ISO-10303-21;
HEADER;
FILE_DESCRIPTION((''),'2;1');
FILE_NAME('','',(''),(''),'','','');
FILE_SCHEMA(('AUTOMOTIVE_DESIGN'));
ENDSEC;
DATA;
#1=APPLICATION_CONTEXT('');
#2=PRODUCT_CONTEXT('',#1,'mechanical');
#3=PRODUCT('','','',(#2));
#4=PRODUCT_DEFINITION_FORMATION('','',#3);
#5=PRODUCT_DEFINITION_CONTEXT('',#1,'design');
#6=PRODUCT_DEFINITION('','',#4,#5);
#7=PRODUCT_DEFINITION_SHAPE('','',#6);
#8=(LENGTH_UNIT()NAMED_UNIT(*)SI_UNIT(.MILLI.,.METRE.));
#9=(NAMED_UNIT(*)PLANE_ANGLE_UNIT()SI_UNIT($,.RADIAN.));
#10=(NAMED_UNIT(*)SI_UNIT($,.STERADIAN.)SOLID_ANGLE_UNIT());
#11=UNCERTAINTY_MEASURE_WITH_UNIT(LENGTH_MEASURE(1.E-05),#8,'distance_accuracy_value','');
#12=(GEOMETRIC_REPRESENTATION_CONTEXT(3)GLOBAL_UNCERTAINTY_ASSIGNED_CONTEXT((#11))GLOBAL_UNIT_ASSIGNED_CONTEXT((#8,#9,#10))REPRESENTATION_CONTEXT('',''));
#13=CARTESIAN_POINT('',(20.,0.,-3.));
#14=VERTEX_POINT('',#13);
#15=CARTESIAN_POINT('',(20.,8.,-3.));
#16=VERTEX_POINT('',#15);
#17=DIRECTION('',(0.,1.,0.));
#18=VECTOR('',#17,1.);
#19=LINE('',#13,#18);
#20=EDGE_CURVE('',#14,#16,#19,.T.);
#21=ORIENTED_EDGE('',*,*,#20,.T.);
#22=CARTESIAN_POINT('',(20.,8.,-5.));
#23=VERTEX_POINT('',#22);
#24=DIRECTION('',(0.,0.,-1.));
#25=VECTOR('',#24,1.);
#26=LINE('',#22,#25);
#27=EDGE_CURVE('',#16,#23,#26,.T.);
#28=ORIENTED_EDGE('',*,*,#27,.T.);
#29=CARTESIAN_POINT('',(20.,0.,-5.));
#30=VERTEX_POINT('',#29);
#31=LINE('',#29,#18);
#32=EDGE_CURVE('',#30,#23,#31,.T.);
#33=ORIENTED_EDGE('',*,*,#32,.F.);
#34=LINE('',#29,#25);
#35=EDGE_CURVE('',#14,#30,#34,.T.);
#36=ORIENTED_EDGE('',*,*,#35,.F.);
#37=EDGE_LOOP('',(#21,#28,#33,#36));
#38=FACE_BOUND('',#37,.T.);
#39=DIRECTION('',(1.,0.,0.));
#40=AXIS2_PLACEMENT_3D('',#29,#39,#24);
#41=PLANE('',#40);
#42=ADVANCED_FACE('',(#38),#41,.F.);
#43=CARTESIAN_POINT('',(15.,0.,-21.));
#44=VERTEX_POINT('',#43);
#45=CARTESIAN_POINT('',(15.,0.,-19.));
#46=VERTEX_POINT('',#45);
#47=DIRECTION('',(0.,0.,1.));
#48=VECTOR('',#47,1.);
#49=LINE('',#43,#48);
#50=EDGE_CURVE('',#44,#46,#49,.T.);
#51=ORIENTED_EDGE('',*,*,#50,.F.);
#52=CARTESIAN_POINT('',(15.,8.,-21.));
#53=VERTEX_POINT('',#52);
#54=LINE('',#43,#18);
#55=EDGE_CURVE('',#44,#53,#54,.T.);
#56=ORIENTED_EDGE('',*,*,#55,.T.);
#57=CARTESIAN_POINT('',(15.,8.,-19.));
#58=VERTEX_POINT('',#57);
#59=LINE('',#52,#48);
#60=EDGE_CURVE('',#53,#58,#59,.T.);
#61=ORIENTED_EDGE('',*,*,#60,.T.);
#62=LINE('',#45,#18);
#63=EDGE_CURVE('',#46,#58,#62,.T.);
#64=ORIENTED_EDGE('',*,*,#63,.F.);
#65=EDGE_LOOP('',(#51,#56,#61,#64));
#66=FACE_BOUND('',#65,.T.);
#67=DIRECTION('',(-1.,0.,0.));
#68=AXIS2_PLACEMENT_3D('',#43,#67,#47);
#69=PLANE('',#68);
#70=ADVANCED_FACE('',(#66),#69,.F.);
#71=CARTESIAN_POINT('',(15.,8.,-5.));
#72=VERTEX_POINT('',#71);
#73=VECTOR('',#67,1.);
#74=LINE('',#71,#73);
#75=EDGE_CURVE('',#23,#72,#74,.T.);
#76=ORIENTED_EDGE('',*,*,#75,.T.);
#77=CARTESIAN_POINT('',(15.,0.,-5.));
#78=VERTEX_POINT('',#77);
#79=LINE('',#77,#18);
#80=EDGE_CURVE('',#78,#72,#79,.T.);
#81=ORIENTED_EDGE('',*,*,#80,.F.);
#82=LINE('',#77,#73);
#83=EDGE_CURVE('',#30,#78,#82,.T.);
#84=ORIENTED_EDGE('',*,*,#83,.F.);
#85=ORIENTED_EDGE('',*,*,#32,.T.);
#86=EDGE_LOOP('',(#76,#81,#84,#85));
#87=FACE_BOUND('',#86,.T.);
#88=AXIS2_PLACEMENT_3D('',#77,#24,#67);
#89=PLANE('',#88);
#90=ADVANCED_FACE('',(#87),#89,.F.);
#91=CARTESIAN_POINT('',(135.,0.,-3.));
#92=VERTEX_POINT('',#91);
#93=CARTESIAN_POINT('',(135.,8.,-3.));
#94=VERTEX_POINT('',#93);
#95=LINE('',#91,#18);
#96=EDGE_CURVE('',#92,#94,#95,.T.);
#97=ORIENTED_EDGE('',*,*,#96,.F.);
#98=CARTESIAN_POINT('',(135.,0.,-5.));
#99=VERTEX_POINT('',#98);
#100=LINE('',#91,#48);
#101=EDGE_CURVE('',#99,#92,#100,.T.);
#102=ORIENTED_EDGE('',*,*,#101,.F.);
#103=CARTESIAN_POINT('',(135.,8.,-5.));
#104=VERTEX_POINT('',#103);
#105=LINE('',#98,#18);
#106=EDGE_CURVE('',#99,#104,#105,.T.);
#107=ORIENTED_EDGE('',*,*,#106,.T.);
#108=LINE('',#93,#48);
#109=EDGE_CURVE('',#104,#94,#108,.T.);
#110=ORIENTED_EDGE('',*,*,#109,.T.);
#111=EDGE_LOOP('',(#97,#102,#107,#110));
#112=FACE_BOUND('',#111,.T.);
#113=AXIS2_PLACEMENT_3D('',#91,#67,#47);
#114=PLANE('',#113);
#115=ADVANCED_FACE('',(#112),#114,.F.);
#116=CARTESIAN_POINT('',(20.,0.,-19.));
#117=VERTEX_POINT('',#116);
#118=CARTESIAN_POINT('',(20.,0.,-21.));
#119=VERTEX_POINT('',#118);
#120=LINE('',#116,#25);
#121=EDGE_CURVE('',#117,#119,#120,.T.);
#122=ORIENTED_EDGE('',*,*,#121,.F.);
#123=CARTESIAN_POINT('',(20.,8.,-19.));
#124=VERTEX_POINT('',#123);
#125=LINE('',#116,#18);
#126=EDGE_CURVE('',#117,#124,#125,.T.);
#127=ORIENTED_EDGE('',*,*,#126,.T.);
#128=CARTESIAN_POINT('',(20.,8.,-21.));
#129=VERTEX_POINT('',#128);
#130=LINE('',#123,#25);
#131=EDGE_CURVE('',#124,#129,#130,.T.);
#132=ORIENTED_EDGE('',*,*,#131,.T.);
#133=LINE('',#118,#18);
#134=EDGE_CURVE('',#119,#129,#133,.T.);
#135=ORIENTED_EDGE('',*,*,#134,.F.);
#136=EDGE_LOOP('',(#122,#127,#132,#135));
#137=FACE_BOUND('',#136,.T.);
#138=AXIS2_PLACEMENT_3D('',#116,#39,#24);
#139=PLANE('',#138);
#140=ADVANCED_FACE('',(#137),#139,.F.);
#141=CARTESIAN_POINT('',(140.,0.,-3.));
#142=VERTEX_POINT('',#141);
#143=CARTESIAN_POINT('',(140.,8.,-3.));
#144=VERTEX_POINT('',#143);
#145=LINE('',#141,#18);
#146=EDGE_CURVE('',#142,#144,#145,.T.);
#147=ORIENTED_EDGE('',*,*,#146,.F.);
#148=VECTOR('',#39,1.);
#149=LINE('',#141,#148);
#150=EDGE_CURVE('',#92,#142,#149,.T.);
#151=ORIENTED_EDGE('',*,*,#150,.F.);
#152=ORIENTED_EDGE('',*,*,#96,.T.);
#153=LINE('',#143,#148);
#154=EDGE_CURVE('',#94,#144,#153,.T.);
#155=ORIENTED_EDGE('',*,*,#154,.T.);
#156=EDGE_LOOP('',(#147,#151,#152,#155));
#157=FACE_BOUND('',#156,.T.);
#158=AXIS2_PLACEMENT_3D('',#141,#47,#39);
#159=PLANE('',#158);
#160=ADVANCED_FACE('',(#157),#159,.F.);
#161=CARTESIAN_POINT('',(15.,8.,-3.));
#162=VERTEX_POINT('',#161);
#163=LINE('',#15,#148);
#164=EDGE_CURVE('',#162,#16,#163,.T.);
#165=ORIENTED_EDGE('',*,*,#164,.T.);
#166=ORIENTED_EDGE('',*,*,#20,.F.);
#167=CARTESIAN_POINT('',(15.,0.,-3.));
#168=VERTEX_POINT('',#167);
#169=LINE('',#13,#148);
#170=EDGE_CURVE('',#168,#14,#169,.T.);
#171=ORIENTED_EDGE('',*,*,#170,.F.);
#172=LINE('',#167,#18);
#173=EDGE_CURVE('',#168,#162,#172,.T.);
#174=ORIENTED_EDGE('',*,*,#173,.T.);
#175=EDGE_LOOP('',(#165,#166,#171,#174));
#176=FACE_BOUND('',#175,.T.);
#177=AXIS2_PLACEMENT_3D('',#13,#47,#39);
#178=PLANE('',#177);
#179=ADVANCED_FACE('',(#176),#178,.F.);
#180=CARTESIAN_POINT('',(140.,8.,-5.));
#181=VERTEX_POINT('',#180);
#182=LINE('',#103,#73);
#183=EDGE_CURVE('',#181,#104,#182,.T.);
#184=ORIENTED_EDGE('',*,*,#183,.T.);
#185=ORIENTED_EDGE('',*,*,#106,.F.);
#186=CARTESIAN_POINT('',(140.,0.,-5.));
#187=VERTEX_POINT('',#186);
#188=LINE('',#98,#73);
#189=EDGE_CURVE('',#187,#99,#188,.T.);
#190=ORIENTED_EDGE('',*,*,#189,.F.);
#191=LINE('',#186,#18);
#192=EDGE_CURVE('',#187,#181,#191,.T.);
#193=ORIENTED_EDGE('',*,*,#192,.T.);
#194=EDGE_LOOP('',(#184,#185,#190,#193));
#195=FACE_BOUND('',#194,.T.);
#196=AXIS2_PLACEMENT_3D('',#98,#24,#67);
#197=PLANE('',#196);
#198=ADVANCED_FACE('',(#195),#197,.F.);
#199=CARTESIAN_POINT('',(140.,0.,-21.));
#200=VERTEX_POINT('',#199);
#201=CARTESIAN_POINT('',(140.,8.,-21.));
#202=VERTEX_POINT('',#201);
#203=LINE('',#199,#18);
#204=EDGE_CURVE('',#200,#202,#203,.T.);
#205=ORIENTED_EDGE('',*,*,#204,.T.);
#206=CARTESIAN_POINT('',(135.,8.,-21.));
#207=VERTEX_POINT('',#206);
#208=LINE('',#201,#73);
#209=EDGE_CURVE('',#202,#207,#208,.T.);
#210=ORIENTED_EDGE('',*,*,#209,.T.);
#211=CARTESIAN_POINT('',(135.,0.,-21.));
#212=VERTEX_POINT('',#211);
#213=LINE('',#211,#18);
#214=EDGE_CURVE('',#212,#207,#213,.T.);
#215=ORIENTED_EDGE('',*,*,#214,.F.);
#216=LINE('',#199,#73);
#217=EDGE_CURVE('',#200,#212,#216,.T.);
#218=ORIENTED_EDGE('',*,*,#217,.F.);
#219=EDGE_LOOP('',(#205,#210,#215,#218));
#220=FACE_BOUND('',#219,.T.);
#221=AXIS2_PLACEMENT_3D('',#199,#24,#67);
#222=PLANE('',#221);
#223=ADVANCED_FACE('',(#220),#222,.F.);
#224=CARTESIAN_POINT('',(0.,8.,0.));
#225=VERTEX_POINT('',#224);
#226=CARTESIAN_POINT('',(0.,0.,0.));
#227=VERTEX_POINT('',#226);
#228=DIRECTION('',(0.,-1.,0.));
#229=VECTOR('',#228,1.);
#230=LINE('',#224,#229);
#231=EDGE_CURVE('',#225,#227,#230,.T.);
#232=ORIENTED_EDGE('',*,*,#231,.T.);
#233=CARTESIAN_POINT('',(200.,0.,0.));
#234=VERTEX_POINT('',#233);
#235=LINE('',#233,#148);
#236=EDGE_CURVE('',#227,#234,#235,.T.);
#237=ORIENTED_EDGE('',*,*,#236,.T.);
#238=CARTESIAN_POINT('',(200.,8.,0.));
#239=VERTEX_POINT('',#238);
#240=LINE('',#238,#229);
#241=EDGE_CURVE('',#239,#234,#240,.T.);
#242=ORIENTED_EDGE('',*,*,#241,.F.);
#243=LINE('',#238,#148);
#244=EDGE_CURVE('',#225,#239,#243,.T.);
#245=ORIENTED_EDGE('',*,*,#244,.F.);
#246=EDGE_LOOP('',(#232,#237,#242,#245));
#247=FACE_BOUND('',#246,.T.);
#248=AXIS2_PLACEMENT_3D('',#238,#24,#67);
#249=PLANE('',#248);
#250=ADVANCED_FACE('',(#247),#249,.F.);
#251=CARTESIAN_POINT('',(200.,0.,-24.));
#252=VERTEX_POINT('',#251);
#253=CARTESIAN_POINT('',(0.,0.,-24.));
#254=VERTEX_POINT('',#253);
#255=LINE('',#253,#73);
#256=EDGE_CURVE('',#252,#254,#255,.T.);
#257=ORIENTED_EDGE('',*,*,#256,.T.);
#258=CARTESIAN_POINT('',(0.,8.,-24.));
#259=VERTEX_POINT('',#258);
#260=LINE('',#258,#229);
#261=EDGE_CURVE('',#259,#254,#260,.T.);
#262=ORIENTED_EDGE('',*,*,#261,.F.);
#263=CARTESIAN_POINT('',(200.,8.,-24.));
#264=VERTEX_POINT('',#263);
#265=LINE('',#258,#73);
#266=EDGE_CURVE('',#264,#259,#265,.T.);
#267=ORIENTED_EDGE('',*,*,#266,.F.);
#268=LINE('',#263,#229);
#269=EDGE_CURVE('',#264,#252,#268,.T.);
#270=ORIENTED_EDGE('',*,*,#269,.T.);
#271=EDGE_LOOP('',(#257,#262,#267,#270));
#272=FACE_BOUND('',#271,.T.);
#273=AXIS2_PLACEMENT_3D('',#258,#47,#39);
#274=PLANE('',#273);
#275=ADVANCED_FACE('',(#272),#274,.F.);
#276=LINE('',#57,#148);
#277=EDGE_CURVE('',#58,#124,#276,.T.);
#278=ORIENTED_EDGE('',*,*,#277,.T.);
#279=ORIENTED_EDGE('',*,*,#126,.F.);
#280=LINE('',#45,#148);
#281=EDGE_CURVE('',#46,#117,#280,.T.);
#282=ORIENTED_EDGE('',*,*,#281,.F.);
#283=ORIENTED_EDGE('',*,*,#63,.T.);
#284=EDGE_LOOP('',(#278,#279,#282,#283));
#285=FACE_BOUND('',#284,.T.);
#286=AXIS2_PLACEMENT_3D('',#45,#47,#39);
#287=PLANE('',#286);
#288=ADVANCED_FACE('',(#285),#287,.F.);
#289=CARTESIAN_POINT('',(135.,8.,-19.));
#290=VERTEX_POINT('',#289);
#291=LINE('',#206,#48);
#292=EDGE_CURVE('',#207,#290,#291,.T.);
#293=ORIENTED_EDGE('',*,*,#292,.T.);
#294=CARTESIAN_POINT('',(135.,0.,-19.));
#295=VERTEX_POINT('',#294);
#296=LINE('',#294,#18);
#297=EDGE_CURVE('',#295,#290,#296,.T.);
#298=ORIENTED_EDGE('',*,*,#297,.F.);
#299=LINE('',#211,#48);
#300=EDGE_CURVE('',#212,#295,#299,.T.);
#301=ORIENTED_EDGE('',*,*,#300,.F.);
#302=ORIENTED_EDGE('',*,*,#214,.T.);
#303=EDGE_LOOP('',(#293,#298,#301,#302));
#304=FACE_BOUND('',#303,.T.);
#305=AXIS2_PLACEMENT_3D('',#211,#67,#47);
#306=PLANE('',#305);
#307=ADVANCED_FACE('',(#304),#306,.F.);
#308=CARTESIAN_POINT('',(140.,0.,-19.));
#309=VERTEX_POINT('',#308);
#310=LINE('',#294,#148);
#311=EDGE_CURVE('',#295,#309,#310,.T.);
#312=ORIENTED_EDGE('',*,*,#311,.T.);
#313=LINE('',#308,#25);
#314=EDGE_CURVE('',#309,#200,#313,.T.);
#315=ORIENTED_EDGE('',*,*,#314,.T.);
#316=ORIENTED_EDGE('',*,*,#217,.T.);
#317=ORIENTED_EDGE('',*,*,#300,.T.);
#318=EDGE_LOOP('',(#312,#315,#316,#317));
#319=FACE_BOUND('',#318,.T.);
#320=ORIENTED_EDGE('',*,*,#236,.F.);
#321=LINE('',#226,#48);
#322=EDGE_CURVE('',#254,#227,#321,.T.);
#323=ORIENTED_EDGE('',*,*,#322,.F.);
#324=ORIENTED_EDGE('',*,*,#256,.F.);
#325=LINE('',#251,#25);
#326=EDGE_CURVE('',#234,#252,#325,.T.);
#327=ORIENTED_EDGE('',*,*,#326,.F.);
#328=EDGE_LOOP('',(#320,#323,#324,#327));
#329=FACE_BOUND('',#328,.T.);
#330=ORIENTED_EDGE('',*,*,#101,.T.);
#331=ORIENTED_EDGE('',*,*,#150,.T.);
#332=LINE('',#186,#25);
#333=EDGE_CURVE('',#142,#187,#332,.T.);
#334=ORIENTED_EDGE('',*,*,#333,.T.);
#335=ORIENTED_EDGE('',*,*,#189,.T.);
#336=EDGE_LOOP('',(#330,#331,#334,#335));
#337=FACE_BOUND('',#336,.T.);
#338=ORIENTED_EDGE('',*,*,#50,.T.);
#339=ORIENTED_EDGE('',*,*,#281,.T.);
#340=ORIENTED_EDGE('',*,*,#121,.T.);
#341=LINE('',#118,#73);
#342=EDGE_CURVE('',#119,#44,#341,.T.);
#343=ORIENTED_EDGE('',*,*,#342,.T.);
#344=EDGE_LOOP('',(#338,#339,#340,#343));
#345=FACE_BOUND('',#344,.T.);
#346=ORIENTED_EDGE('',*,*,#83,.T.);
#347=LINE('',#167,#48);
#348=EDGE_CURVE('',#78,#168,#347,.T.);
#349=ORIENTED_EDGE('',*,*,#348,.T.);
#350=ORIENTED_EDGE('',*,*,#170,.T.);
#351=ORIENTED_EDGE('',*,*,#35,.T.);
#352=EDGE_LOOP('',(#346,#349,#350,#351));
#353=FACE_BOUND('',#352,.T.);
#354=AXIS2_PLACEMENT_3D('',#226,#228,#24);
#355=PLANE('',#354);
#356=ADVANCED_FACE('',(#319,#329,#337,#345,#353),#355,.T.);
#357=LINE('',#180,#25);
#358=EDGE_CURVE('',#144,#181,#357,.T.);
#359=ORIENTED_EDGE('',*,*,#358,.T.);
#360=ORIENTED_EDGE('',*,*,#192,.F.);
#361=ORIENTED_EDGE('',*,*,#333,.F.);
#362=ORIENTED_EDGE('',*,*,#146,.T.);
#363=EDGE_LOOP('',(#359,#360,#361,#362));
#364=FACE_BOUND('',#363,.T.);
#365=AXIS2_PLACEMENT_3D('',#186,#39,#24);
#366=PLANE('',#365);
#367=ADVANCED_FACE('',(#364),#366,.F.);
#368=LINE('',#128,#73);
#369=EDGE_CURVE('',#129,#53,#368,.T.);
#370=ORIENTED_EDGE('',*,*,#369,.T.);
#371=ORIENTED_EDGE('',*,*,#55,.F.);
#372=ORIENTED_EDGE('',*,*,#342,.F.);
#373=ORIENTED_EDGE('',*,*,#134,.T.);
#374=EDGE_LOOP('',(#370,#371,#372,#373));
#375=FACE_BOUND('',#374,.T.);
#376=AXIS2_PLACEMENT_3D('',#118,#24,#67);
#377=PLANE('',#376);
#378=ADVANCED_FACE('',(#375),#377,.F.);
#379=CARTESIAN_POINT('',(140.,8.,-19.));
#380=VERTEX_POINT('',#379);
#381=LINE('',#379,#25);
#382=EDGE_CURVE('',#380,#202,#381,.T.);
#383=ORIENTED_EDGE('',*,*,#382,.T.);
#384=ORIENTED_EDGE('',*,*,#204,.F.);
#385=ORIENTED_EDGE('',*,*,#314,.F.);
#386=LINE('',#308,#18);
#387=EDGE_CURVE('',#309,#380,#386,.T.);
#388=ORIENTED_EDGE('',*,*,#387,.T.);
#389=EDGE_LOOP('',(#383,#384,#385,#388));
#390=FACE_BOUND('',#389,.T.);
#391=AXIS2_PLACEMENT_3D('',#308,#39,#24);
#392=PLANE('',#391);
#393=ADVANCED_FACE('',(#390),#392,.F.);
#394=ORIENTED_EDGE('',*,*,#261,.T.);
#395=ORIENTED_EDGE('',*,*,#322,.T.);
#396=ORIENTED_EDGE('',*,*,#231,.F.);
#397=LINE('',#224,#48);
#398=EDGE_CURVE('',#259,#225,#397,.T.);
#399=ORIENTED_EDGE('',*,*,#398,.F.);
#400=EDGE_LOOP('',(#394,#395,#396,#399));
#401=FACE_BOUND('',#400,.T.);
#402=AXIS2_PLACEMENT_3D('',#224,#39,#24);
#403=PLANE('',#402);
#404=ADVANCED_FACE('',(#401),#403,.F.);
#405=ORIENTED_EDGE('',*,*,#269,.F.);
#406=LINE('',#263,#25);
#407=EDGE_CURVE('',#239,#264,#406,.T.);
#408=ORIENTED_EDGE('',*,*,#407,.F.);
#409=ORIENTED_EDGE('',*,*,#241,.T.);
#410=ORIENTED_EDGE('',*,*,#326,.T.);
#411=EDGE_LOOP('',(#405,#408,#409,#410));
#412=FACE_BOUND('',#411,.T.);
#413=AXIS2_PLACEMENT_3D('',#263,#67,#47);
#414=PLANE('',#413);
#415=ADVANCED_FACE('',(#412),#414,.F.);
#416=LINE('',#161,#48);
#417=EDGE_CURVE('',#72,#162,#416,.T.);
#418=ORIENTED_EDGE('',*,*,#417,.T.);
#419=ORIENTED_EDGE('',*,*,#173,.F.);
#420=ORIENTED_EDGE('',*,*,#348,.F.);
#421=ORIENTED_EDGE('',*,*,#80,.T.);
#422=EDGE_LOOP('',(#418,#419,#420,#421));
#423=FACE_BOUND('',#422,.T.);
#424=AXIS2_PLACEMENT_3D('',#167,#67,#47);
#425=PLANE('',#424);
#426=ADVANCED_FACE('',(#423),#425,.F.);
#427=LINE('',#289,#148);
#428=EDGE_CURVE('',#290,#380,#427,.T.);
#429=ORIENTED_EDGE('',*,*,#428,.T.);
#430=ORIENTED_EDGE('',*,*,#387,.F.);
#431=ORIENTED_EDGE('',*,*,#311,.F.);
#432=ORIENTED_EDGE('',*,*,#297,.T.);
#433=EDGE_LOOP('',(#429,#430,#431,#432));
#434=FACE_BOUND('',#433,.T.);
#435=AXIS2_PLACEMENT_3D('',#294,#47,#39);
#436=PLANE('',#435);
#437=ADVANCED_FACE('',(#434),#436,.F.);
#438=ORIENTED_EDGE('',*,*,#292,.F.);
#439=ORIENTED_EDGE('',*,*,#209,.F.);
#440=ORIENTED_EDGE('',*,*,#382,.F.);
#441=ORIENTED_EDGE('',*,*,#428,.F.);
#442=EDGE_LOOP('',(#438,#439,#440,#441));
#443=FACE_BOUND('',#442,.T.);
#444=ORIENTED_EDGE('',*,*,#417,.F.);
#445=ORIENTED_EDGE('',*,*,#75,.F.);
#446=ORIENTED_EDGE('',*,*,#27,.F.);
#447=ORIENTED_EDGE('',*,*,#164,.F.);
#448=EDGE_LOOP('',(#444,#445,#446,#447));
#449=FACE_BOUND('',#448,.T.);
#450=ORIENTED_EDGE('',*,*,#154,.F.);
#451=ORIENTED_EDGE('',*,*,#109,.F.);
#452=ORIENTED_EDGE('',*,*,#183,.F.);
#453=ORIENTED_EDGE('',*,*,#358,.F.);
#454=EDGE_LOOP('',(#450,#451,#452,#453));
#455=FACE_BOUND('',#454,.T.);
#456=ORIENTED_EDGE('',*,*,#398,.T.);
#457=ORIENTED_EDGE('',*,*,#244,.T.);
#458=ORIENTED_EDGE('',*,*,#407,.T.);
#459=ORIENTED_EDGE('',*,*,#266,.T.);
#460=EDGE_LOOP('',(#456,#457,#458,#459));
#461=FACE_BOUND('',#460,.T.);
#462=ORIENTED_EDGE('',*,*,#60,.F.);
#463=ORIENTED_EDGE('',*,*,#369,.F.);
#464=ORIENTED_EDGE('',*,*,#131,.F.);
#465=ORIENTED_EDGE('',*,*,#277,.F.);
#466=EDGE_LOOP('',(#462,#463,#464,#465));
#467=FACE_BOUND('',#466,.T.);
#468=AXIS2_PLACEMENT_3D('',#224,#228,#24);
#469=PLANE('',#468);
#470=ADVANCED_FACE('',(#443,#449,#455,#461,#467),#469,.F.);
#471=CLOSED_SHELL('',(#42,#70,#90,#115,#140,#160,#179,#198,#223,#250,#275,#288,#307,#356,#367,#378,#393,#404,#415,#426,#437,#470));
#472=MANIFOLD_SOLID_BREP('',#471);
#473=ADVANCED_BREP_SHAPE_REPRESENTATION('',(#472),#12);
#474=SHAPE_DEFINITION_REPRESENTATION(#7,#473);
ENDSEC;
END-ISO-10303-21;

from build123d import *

# Parameters (mm, degrees)
SKETCH1_W           = 200
SKETCH1_H           = 24
BOSS_EXTRUDE2_DEPTH = 8
SKETCH2_W           = 5
SKETCH2_H           = 2
CUT_EXTRUDE1_DEPTH  = 9


with BuildPart() as part:
    # Sketch1 → Boss-Extrude2 (new body)
    with BuildSketch(Plane(origin=(0, 0, 0), x_dir=(1, 0, 0), z_dir=(0, 1, 0))):
        with Locations((100, 12)):
            Rectangle(SKETCH1_W, SKETCH1_H)
    extrude(amount=BOSS_EXTRUDE2_DEPTH)

    # Sketch2 → Cut-Extrude1 (cut, through all)
    with BuildSketch(Plane(origin=(0, 8, 0), x_dir=(1, 0, 0), z_dir=(0, 1, 0))):
        with Locations((17.5, 20)):
            Rectangle(SKETCH2_W, SKETCH2_H)
        with Locations((137.5, 20)):
            Rectangle(SKETCH2_W, SKETCH2_H)
        with Locations((137.5, 4)):
            Rectangle(SKETCH2_W, SKETCH2_H)
        with Locations((17.5, 4)):
            Rectangle(SKETCH2_W, SKETCH2_H)
    extrude(amount=-CUT_EXTRUDE1_DEPTH, mode=Mode.SUBTRACT)


solid = part.part
